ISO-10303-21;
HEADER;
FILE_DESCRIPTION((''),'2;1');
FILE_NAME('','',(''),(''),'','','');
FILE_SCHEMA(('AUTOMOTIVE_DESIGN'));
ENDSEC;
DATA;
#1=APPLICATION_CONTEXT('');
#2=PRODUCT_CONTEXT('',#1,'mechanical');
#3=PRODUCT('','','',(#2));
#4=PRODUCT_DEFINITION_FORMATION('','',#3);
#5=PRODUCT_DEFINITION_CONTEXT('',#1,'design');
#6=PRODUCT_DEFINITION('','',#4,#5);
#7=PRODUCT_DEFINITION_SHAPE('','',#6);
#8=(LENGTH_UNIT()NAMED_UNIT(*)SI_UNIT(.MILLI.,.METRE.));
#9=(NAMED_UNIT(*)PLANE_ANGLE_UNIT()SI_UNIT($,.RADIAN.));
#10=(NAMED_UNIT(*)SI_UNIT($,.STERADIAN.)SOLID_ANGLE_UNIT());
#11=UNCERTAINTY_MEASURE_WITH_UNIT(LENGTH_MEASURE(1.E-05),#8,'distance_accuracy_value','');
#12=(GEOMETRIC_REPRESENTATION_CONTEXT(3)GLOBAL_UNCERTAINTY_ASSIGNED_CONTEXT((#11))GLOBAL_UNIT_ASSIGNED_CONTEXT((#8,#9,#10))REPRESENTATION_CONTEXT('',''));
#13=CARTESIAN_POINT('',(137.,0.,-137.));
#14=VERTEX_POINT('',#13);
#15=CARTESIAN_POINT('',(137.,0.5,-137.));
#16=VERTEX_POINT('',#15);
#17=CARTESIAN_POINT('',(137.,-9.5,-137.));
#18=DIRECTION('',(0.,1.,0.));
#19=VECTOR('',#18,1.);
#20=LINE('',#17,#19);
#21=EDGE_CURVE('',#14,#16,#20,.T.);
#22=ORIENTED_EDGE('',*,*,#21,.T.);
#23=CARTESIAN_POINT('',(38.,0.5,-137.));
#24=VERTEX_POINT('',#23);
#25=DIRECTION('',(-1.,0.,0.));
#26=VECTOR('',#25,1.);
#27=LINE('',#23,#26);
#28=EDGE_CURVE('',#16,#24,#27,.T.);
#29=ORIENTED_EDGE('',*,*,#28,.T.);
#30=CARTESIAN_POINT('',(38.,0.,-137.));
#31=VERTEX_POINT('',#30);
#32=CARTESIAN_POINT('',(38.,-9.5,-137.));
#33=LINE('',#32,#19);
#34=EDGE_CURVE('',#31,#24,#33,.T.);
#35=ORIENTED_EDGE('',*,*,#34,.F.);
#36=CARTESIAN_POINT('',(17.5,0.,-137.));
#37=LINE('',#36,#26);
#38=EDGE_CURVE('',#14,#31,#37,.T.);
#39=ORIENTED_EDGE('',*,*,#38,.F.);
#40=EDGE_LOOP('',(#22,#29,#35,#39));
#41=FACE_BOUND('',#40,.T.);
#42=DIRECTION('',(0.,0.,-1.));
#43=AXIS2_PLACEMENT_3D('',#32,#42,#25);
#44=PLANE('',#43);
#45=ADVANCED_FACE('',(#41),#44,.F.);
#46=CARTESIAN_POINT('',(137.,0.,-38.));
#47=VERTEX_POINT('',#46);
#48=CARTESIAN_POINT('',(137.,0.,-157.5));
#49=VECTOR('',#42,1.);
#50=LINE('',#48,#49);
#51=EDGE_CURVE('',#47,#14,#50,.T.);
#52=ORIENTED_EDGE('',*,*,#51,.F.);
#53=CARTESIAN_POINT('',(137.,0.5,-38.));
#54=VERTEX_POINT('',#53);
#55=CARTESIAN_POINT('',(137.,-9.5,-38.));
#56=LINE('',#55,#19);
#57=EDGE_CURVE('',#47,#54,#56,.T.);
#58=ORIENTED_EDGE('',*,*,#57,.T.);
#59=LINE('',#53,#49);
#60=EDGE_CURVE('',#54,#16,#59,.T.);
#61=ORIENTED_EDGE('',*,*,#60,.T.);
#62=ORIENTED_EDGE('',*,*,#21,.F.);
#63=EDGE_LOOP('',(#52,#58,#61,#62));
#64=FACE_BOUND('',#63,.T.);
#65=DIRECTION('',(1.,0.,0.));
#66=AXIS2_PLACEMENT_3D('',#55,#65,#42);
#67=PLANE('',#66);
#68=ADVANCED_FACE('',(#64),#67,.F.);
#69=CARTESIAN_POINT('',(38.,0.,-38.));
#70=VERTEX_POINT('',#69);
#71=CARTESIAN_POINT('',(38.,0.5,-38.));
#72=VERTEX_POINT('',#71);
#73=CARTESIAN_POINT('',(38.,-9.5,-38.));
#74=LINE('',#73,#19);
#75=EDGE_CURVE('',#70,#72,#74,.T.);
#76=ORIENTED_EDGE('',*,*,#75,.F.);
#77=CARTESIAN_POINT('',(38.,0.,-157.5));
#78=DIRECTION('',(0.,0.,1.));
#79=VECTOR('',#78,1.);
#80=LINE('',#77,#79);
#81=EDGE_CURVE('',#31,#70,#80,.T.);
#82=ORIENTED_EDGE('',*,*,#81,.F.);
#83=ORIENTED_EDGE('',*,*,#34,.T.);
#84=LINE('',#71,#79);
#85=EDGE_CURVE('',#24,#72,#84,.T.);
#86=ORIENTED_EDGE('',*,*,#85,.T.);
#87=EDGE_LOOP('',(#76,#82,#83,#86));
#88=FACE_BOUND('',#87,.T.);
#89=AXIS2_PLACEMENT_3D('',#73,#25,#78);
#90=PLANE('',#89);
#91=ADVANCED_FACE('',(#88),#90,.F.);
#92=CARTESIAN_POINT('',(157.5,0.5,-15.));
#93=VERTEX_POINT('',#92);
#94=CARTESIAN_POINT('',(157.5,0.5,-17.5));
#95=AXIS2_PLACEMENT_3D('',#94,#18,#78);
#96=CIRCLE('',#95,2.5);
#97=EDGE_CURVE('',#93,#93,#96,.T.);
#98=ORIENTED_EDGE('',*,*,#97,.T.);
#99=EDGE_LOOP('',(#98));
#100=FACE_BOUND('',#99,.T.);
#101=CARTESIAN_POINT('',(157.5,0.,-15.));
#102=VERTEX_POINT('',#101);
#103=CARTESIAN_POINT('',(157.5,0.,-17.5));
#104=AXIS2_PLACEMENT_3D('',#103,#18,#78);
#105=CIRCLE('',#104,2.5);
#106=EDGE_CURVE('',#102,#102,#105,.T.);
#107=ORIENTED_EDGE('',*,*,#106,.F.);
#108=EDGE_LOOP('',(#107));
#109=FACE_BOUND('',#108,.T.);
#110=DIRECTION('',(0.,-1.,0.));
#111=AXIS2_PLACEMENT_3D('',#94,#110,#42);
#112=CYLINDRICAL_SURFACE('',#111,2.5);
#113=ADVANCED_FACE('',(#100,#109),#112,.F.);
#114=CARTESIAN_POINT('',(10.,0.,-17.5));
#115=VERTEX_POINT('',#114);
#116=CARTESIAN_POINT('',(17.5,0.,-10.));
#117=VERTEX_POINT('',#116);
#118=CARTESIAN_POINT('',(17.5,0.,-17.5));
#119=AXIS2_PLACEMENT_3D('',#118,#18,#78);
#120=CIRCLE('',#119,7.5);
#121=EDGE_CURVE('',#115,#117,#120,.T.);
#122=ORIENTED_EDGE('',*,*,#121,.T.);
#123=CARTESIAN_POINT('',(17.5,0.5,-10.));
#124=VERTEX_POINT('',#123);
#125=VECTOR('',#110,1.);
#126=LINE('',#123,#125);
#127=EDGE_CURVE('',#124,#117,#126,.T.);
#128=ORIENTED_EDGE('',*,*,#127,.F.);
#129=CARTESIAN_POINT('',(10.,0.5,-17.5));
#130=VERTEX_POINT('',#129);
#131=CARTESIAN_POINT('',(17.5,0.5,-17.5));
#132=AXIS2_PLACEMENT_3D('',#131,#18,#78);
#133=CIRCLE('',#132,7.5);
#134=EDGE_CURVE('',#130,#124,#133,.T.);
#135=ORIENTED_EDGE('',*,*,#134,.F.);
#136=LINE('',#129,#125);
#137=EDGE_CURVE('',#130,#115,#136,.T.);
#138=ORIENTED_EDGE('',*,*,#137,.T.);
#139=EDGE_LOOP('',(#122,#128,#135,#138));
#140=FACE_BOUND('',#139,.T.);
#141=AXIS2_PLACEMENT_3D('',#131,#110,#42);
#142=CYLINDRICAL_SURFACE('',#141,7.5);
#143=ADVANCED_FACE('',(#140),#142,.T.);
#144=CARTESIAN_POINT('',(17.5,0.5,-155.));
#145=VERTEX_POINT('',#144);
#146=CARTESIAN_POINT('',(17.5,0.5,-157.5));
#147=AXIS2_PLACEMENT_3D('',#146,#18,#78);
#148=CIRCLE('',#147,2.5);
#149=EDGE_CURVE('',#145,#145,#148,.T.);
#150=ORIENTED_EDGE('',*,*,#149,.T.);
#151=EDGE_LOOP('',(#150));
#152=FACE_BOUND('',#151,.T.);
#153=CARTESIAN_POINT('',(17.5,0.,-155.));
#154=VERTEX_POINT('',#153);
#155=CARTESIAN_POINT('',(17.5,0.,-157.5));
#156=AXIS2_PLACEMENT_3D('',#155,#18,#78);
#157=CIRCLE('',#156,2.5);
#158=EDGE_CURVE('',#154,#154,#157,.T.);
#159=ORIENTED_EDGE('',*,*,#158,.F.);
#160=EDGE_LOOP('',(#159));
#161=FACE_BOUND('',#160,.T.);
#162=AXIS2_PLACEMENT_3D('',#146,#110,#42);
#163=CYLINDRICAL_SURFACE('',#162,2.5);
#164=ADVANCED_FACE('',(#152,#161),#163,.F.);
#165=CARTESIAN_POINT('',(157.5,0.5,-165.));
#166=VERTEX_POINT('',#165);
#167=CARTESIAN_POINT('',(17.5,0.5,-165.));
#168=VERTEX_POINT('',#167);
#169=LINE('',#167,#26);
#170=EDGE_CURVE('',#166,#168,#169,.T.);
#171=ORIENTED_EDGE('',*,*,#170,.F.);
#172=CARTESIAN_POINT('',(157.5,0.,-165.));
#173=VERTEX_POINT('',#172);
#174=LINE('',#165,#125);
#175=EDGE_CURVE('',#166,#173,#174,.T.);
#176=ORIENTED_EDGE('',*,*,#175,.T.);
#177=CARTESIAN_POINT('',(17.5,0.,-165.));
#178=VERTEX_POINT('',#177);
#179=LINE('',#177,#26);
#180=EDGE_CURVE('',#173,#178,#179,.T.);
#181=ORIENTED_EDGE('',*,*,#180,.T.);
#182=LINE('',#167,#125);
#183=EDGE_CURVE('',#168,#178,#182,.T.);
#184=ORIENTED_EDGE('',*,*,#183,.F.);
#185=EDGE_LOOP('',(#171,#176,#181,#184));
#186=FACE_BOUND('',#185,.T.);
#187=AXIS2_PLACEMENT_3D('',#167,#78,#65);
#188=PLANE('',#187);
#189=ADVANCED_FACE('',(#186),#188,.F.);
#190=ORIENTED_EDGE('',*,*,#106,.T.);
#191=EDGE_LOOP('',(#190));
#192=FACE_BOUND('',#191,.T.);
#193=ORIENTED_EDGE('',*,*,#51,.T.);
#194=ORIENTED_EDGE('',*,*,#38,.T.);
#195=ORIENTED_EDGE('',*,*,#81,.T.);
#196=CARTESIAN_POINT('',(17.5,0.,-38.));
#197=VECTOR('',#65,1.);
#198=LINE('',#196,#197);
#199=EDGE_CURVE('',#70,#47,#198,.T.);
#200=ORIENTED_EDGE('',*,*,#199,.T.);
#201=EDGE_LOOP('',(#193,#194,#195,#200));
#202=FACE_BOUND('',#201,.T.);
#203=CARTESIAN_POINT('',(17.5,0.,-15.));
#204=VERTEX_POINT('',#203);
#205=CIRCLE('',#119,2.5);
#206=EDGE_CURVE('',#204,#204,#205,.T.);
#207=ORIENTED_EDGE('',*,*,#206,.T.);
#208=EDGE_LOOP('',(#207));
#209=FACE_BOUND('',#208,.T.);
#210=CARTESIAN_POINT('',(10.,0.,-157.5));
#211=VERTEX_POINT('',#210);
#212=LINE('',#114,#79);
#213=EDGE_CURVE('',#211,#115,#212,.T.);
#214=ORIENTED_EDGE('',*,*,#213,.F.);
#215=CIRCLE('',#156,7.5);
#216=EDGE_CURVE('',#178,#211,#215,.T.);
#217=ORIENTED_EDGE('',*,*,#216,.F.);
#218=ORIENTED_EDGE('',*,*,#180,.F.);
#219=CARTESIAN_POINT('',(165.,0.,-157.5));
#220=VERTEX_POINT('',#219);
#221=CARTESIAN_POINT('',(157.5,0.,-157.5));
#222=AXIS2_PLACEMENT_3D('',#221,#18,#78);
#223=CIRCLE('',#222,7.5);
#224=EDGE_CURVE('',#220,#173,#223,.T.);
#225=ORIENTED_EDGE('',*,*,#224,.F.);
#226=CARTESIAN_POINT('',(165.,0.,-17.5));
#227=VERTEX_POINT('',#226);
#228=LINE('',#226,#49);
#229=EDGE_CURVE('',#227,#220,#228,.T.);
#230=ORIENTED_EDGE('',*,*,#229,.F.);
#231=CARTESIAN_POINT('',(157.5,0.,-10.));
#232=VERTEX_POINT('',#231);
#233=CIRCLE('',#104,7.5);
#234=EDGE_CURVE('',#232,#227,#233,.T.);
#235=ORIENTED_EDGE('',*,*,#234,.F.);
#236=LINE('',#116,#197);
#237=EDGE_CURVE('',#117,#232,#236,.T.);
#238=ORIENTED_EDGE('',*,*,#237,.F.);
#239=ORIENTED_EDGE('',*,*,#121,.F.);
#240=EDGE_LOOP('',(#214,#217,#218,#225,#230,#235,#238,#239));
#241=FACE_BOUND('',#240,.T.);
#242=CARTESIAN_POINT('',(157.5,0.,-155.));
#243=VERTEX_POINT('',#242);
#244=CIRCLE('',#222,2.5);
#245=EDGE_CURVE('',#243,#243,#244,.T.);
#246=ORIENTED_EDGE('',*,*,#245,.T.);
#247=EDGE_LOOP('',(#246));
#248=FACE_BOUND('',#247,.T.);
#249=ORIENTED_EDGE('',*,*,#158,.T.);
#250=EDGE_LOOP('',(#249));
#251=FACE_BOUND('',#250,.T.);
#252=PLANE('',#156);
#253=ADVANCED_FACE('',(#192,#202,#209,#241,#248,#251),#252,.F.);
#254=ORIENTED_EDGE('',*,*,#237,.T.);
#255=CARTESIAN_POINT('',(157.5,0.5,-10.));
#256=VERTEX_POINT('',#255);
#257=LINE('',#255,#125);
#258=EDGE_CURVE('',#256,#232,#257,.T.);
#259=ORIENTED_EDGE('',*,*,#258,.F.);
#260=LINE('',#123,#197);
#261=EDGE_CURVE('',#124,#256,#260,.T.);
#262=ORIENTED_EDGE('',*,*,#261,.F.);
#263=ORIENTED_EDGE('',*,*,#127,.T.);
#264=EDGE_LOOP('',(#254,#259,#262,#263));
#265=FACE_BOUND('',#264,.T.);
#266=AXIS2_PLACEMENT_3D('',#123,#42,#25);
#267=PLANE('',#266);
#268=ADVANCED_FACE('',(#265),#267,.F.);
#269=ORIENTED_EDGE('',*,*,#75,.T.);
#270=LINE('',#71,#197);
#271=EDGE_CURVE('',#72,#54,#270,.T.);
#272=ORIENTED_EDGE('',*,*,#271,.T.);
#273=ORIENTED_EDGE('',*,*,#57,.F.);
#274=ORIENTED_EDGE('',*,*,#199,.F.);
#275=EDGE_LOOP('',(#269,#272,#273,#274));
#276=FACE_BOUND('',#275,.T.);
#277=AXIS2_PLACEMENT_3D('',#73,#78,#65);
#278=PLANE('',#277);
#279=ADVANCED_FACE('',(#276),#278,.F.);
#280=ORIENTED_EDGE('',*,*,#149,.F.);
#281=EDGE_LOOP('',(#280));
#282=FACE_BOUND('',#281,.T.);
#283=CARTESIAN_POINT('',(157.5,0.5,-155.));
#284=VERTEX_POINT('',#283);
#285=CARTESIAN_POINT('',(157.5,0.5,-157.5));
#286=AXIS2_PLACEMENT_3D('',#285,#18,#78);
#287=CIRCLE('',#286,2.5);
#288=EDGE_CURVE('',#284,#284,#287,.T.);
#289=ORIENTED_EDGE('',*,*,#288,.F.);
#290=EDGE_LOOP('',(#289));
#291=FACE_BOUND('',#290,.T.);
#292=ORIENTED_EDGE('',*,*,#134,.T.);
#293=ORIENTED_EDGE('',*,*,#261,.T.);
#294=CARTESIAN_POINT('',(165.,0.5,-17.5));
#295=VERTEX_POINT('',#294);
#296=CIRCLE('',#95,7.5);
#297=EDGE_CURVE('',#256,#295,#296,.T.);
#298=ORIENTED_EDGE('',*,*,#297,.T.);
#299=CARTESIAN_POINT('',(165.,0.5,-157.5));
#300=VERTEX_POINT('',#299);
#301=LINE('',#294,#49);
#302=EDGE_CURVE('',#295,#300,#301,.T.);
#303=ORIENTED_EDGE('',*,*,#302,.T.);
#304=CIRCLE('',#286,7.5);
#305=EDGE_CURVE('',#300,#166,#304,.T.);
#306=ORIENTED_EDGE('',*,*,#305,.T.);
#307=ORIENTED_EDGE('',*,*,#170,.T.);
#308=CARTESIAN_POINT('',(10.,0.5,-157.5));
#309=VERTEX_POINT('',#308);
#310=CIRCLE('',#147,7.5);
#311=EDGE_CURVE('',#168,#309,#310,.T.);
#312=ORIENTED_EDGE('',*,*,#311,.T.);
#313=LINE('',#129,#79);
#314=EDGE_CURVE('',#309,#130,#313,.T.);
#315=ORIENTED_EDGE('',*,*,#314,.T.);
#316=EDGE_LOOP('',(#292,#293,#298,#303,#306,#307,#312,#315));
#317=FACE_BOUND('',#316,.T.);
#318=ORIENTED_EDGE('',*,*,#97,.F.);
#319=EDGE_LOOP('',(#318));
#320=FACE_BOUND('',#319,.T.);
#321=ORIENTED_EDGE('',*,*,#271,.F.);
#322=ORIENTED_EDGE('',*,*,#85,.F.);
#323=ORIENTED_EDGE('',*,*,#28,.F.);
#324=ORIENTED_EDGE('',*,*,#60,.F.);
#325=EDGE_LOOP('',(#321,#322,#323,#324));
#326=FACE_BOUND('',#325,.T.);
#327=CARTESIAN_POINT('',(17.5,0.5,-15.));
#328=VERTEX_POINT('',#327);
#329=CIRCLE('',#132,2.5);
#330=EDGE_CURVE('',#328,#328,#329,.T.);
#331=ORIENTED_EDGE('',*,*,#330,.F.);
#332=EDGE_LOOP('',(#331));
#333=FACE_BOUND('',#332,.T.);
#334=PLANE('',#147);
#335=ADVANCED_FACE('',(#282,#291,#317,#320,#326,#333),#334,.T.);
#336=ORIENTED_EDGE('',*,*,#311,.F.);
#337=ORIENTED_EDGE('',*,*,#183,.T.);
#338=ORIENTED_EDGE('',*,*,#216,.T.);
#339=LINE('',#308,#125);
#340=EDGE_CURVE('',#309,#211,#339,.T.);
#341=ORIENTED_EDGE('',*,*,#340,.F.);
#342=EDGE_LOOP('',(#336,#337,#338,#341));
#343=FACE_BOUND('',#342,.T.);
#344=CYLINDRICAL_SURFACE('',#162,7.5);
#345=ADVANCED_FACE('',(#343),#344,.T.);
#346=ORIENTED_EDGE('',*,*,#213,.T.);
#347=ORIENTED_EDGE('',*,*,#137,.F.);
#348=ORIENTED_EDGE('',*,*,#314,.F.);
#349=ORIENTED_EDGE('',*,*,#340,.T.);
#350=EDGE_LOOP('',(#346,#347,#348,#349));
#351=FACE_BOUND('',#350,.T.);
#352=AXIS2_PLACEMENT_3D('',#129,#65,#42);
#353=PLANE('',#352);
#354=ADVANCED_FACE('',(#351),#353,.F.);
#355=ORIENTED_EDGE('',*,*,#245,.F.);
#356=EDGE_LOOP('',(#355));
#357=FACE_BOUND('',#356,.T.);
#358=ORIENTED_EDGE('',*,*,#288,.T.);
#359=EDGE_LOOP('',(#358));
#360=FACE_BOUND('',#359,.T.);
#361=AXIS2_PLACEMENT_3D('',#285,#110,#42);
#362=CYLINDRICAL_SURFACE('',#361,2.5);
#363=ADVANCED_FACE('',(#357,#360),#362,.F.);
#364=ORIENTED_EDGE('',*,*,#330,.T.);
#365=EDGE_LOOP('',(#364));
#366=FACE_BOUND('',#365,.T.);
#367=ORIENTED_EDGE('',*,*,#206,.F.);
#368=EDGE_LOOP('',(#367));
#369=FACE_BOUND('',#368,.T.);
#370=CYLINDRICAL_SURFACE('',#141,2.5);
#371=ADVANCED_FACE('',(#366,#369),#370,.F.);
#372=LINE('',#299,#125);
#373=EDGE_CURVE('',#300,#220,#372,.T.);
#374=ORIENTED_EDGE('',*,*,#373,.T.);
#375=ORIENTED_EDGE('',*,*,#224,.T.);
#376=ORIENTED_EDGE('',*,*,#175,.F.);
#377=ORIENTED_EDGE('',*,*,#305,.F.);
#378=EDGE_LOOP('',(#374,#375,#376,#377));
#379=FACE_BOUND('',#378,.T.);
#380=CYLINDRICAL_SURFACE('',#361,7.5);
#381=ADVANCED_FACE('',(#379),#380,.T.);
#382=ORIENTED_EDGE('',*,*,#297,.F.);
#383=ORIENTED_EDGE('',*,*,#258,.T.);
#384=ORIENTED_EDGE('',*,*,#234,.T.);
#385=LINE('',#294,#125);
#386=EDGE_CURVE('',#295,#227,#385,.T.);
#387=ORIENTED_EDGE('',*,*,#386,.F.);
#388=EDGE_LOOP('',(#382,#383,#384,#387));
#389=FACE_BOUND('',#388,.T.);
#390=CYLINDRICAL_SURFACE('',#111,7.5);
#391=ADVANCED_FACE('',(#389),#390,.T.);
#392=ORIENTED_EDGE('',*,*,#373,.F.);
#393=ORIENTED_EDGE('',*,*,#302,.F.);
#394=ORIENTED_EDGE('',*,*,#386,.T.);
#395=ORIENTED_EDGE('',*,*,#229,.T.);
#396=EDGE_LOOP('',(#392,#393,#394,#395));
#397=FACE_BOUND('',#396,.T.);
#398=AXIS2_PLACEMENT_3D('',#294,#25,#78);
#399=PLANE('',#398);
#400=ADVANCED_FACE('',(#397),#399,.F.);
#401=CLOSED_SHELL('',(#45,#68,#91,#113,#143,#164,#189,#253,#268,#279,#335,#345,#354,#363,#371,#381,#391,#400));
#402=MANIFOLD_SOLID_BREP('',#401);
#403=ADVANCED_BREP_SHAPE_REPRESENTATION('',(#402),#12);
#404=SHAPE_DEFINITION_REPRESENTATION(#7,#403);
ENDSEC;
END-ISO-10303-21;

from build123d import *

# Parameters (mm, degrees)
CROQUIS1_R              = 2.5
SALIENTE_EXTRUIR1_DEPTH = 0.5
CROQUIS2_W              = 99
CROQUIS2_H              = 99
CORTAR_EXTRUIR1_DEPTH   = 10


with BuildPart() as part:
    # Croquis1 → Saliente-Extruir1 (new body)
    with BuildSketch(Plane(origin=(0, 0, 0), x_dir=(1, 0, 0), z_dir=(0, 1, 0))):
        with BuildLine():
            Line((17.5, 10), (157.5, 10))
            ThreePointArc((157.5, 10), (162.803300859, 12.196699141), (165, 17.5))
            Line((165, 17.5), (165, 157.5))
            ThreePointArc((165, 157.5), (162.803300859, 162.803300859), (157.5, 165))
            Line((157.5, 165), (17.5, 165))
            ThreePointArc((17.5, 165), (12.196699141, 162.803300859), (10, 157.5))
            Line((10, 157.5), (10, 17.5))
            ThreePointArc((10, 17.5), (12.196699141, 12.196699141), (17.5, 10))
        make_face()
        with Locations(Location((17.5, 157.5, 0), (0, 0, 270))):
            Circle(CROQUIS1_R, mode=Mode.SUBTRACT)
        with Locations(Location((157.5, 157.5, 0), (0, 0, 270))):
            Circle(CROQUIS1_R, mode=Mode.SUBTRACT)
        with Locations(Location((157.5, 17.5, 0), (0, 0, 270))):
            Circle(CROQUIS1_R, mode=Mode.SUBTRACT)
        with Locations(Location((17.5, 17.5, 0), (0, 0, 270))):
            Circle(CROQUIS1_R, mode=Mode.SUBTRACT)
    extrude(amount=SALIENTE_EXTRUIR1_DEPTH)

    # Croquis2 → Cortar-Extruir1 (cut)
    with BuildSketch(Plane(origin=(0, 0.5, 0), x_dir=(1, 0, 0), z_dir=(0, 1, 0))):
        with Locations((87.5, 87.5)):
            Rectangle(CROQUIS2_W, CROQUIS2_H)
    extrude(amount=-CORTAR_EXTRUIR1_DEPTH, mode=Mode.SUBTRACT)


solid = part.part
